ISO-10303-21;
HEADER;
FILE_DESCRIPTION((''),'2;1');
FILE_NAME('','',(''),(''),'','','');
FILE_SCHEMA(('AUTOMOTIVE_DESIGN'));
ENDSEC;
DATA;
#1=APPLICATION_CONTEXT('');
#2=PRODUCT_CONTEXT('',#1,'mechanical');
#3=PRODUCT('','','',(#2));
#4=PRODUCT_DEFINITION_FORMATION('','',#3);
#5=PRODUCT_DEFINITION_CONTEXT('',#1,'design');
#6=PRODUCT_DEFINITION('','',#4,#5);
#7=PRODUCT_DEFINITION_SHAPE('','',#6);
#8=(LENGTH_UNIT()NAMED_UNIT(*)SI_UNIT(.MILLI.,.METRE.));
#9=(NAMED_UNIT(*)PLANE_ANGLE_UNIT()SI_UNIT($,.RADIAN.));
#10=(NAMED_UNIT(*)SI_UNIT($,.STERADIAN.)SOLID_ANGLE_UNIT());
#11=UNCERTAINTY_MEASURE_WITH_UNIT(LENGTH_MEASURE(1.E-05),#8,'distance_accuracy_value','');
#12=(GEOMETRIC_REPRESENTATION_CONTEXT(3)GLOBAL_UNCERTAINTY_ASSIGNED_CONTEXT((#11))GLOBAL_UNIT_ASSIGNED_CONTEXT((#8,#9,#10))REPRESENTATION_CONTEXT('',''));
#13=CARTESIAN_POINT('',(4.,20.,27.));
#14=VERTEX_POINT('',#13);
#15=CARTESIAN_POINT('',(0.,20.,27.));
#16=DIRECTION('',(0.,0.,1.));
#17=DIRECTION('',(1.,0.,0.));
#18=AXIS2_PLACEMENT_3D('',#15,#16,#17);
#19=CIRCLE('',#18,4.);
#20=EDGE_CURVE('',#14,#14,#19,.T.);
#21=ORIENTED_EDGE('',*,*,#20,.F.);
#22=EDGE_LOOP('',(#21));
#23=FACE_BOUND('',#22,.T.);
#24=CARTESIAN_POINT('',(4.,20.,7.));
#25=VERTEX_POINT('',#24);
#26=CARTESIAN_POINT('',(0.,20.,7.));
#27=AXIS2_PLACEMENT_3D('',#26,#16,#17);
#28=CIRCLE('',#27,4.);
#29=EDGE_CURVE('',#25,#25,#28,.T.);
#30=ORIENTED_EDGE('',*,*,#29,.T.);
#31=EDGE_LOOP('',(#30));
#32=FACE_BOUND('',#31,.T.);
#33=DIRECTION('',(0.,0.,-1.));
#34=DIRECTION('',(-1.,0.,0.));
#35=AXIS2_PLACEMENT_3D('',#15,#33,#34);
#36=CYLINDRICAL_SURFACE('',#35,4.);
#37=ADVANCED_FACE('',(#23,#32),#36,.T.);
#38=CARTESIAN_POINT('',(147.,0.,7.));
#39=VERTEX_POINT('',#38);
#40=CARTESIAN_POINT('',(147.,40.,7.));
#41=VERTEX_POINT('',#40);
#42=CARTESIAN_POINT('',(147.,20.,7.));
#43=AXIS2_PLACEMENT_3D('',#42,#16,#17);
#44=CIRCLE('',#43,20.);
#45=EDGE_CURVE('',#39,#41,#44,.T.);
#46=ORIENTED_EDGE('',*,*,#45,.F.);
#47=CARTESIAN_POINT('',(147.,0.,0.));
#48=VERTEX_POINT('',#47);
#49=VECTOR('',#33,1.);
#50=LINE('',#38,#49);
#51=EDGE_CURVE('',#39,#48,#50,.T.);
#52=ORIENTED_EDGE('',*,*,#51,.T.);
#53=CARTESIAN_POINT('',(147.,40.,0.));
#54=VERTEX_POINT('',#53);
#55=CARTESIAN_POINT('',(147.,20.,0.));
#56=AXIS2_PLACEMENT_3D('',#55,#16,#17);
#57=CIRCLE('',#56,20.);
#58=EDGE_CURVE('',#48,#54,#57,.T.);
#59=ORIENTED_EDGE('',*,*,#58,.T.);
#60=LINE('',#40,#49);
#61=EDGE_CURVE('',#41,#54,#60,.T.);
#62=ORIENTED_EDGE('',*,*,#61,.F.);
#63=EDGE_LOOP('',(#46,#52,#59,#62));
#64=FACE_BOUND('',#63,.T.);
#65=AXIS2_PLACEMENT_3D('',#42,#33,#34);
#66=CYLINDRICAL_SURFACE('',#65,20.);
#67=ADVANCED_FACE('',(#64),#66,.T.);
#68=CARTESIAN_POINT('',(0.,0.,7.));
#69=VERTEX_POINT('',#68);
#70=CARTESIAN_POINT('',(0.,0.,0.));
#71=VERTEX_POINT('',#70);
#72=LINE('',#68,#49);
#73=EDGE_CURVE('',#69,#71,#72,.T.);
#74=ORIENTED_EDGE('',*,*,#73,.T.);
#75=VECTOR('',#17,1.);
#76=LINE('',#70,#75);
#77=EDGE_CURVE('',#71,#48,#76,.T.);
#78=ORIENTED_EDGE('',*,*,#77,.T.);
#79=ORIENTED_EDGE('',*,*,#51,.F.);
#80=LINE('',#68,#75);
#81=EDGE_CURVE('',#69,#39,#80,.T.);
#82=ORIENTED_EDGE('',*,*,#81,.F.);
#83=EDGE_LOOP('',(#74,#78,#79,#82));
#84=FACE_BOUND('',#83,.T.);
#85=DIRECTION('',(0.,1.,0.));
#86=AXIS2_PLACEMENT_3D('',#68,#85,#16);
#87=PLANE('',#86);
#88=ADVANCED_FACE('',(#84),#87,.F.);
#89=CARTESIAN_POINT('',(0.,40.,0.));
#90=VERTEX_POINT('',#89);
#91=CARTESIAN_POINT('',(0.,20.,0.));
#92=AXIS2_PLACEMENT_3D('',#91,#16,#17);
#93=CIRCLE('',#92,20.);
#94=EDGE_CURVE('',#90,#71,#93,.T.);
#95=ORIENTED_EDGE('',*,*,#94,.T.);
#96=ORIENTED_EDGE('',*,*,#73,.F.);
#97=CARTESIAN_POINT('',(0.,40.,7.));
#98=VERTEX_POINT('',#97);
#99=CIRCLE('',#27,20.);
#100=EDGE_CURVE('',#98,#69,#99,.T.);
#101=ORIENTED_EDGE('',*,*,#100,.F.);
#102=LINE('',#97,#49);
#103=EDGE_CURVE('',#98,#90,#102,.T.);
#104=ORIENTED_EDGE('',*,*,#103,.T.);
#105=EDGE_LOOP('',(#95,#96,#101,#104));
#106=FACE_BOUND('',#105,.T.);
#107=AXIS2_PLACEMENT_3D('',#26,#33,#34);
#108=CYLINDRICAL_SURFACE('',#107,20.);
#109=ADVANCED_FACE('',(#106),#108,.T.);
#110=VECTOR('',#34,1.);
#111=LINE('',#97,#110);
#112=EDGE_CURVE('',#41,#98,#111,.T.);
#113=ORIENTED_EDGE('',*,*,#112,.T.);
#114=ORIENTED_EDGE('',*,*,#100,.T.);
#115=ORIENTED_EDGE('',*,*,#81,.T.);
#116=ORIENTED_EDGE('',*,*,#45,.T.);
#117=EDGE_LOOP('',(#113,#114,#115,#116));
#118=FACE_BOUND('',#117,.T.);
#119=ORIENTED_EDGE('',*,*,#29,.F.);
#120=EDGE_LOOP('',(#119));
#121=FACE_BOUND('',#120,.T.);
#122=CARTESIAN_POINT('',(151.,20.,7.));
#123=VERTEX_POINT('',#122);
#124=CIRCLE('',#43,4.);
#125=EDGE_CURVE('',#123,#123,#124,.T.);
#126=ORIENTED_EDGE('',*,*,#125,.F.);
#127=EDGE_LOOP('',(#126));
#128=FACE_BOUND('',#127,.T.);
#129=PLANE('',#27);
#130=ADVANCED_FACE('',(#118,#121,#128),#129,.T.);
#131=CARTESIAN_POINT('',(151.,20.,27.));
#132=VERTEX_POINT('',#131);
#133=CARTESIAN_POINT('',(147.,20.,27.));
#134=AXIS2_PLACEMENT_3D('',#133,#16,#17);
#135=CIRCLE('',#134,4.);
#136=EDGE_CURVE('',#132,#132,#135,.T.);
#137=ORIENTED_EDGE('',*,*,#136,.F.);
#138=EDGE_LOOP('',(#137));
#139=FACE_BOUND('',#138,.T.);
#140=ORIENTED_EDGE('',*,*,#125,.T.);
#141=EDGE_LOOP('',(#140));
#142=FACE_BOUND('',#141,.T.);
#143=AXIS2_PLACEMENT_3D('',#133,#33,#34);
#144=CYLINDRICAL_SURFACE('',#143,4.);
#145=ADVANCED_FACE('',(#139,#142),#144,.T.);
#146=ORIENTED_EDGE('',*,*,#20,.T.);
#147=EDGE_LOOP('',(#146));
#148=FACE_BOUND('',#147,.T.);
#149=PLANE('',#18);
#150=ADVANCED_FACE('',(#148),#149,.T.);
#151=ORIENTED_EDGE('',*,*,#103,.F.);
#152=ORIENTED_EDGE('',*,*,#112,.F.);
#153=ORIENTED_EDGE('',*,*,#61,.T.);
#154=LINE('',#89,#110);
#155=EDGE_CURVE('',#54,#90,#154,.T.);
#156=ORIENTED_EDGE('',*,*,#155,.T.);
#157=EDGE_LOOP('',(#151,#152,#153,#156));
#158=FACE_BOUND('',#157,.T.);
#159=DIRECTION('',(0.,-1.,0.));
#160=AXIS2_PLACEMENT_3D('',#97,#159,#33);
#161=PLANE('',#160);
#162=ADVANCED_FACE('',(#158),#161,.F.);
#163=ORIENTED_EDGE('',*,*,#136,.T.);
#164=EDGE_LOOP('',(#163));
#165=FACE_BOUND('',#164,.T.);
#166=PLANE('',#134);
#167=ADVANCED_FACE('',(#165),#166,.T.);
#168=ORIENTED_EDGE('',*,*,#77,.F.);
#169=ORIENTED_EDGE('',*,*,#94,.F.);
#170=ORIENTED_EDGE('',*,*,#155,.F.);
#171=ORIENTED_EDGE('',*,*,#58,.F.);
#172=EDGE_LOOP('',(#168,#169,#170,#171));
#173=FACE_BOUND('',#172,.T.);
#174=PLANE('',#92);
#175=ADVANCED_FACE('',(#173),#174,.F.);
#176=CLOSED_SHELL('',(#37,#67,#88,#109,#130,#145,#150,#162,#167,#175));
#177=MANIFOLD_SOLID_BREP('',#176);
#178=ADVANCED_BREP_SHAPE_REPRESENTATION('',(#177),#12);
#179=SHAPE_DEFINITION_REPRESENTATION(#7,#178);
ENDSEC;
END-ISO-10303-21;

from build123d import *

# Parameters (mm, degrees)
BOSS_EXTRUDE1_DEPTH = 7
SKETCH3_R           = 4
BOSS_EXTRUDE2_DEPTH = 20
SKETCH4_R           = 4
BOSS_EXTRUDE3_DEPTH = 20


with BuildPart() as part:
    # Sketch2 → Boss-Extrude1 (new body)
    with BuildSketch(Plane.XY):
        with BuildLine():
            Line((0, 0), (147, 0))
            ThreePointArc((147, 0), (167, 20), (147, 40))
            Line((147, 40), (0, 40))
            ThreePointArc((0, 40), (-20, 20), (0, 0))
        make_face()
    extrude(amount=BOSS_EXTRUDE1_DEPTH)

    # Sketch3 → Boss-Extrude2 (add)
    with BuildSketch(Plane.XY.offset(7)):
        with Locations((147, 20)):
            Circle(SKETCH3_R)
    extrude(amount=BOSS_EXTRUDE2_DEPTH)

    # Sketch4 → Boss-Extrude3 (add)
    with BuildSketch(Plane.XY.offset(7)):
        with Locations((0, 20)):
            Circle(SKETCH4_R)
    extrude(amount=BOSS_EXTRUDE3_DEPTH)


solid = part.part
